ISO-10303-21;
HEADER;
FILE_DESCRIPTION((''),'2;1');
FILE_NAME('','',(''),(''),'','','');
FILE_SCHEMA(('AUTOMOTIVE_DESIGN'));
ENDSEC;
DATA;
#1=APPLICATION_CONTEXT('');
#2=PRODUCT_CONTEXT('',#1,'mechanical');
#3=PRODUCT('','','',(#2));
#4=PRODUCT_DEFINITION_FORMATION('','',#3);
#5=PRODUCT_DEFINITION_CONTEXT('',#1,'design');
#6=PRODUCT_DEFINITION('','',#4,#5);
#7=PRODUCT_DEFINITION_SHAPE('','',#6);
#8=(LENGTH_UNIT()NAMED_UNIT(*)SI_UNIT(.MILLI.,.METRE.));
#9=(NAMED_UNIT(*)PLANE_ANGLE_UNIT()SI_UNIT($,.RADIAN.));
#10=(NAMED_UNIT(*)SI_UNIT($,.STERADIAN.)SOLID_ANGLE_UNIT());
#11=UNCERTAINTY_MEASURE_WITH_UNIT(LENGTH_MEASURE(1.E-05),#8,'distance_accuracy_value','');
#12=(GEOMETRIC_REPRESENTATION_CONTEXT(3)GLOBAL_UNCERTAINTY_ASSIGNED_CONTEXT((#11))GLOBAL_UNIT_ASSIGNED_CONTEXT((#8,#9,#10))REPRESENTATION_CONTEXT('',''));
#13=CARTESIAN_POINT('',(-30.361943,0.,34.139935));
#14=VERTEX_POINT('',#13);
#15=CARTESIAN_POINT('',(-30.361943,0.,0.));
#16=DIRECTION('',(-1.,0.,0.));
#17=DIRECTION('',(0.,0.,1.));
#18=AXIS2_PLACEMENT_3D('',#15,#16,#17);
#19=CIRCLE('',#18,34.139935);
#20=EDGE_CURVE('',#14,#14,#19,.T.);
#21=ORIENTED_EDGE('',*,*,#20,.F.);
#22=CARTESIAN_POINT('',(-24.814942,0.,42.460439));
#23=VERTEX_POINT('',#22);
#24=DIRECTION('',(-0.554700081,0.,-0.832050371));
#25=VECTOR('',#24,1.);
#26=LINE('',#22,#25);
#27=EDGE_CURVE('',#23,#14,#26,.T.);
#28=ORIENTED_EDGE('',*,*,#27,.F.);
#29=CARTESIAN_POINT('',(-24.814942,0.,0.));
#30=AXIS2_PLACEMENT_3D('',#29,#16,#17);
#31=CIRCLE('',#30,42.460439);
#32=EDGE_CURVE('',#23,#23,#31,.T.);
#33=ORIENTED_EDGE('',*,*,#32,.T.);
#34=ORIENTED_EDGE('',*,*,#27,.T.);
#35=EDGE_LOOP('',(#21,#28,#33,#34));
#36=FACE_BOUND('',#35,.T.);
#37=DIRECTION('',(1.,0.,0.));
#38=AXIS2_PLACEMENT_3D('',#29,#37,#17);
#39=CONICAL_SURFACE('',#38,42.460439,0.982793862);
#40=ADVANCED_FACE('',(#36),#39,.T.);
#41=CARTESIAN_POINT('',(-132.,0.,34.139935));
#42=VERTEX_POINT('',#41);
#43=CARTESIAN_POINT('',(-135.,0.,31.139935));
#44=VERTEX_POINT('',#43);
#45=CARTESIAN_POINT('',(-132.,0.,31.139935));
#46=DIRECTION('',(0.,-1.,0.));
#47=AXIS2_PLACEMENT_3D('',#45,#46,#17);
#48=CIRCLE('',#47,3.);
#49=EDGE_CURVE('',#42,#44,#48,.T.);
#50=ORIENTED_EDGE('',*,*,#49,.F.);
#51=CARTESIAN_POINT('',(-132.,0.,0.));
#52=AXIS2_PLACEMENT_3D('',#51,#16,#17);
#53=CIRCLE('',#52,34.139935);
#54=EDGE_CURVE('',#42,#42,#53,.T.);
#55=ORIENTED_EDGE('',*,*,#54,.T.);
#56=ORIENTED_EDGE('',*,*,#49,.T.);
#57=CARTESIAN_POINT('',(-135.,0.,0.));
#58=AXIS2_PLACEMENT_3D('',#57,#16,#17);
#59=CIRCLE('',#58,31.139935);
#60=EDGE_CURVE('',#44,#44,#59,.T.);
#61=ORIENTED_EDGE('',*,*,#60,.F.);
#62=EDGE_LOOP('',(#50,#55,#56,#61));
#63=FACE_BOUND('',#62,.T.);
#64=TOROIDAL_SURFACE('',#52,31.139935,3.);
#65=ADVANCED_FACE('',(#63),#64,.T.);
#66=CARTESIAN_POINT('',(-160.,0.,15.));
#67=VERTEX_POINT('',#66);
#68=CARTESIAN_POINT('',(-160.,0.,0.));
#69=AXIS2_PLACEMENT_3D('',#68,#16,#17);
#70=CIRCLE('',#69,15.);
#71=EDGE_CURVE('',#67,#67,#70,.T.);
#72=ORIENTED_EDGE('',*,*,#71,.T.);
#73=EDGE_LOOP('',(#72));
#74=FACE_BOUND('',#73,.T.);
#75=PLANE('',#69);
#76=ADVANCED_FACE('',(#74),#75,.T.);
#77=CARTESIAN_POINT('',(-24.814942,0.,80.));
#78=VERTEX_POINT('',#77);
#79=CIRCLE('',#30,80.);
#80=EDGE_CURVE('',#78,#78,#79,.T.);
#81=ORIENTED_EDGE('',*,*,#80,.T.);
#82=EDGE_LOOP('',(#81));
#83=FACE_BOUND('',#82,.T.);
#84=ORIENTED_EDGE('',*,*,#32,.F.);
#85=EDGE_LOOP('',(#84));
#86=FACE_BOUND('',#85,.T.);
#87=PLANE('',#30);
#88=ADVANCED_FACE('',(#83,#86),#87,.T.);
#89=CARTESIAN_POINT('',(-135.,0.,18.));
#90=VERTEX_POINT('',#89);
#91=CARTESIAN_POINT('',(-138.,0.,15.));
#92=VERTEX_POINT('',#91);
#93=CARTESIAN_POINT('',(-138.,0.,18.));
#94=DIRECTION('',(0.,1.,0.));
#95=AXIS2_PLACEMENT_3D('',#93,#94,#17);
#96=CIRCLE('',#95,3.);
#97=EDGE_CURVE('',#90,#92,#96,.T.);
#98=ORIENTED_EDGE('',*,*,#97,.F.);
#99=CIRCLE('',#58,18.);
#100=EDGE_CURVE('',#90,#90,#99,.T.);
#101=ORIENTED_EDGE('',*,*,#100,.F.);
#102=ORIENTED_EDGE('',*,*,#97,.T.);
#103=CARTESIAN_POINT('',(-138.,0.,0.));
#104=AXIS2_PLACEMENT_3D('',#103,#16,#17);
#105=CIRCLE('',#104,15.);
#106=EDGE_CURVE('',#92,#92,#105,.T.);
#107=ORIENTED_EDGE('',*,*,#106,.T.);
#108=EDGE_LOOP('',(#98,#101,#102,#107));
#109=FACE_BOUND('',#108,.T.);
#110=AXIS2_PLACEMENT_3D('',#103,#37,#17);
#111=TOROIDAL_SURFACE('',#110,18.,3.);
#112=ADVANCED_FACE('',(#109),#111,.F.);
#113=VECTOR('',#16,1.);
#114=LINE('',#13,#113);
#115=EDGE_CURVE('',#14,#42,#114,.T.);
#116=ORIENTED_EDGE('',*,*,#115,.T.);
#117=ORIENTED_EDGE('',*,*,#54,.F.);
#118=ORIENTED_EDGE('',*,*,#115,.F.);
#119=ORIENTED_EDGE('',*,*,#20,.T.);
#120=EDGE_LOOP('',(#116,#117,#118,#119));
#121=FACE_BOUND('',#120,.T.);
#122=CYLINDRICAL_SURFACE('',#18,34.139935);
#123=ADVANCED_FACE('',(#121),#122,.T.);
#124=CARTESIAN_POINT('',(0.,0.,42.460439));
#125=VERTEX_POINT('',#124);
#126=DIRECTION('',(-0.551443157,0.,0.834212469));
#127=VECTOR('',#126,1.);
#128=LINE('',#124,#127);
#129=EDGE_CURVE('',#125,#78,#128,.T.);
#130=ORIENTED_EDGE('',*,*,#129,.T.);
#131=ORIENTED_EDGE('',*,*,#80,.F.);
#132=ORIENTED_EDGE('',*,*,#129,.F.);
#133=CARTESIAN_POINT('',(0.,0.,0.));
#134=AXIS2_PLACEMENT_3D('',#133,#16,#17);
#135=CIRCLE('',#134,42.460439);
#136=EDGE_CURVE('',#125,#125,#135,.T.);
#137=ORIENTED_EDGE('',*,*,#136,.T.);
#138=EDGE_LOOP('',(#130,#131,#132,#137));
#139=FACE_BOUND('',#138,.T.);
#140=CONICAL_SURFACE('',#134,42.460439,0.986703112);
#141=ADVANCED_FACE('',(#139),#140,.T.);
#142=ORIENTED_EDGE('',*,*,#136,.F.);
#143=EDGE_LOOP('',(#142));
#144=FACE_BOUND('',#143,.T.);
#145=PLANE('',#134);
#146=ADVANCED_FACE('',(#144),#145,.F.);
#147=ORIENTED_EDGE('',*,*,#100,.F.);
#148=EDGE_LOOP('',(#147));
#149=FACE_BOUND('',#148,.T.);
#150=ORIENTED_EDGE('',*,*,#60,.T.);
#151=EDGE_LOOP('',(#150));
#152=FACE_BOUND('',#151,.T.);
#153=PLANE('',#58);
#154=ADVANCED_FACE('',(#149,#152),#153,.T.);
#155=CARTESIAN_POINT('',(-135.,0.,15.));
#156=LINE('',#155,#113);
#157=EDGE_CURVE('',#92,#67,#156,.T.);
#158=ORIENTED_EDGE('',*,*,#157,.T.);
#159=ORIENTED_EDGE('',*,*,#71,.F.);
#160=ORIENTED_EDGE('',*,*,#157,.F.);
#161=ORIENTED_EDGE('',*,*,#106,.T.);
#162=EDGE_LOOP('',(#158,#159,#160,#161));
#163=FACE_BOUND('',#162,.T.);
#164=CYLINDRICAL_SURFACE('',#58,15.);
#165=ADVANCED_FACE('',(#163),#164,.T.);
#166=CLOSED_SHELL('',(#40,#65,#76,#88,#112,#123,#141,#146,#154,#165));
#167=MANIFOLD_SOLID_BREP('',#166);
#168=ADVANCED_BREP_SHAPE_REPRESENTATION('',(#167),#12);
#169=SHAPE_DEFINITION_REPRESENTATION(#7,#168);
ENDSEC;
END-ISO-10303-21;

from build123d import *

# Parameters (mm, degrees)
F2_R = 3


with BuildPart() as f1:
    # F0 (on Front) → F1 (revolve)
    with BuildSketch(Plane.XZ):
        Polygon((-160, 15), (-160, 0), (0, 0), (0, 42.460439), (-24.814942, 80), (-24.814942, 42.460439), (-30.361943, 34.139935), (-135, 34.139935), (-135, 15), align=None)
    revolve(axis=Axis((-80, 0, 0), (-1, 0, 0)))

    # F2
    f2_edges = [f1.edges().sort_by_distance(p)[0] for p in [
        (-135, 0, -34.139935),
        (-135, 0, -15),
    ]]
    fillet(f2_edges, radius=F2_R)


solid = f1.part
